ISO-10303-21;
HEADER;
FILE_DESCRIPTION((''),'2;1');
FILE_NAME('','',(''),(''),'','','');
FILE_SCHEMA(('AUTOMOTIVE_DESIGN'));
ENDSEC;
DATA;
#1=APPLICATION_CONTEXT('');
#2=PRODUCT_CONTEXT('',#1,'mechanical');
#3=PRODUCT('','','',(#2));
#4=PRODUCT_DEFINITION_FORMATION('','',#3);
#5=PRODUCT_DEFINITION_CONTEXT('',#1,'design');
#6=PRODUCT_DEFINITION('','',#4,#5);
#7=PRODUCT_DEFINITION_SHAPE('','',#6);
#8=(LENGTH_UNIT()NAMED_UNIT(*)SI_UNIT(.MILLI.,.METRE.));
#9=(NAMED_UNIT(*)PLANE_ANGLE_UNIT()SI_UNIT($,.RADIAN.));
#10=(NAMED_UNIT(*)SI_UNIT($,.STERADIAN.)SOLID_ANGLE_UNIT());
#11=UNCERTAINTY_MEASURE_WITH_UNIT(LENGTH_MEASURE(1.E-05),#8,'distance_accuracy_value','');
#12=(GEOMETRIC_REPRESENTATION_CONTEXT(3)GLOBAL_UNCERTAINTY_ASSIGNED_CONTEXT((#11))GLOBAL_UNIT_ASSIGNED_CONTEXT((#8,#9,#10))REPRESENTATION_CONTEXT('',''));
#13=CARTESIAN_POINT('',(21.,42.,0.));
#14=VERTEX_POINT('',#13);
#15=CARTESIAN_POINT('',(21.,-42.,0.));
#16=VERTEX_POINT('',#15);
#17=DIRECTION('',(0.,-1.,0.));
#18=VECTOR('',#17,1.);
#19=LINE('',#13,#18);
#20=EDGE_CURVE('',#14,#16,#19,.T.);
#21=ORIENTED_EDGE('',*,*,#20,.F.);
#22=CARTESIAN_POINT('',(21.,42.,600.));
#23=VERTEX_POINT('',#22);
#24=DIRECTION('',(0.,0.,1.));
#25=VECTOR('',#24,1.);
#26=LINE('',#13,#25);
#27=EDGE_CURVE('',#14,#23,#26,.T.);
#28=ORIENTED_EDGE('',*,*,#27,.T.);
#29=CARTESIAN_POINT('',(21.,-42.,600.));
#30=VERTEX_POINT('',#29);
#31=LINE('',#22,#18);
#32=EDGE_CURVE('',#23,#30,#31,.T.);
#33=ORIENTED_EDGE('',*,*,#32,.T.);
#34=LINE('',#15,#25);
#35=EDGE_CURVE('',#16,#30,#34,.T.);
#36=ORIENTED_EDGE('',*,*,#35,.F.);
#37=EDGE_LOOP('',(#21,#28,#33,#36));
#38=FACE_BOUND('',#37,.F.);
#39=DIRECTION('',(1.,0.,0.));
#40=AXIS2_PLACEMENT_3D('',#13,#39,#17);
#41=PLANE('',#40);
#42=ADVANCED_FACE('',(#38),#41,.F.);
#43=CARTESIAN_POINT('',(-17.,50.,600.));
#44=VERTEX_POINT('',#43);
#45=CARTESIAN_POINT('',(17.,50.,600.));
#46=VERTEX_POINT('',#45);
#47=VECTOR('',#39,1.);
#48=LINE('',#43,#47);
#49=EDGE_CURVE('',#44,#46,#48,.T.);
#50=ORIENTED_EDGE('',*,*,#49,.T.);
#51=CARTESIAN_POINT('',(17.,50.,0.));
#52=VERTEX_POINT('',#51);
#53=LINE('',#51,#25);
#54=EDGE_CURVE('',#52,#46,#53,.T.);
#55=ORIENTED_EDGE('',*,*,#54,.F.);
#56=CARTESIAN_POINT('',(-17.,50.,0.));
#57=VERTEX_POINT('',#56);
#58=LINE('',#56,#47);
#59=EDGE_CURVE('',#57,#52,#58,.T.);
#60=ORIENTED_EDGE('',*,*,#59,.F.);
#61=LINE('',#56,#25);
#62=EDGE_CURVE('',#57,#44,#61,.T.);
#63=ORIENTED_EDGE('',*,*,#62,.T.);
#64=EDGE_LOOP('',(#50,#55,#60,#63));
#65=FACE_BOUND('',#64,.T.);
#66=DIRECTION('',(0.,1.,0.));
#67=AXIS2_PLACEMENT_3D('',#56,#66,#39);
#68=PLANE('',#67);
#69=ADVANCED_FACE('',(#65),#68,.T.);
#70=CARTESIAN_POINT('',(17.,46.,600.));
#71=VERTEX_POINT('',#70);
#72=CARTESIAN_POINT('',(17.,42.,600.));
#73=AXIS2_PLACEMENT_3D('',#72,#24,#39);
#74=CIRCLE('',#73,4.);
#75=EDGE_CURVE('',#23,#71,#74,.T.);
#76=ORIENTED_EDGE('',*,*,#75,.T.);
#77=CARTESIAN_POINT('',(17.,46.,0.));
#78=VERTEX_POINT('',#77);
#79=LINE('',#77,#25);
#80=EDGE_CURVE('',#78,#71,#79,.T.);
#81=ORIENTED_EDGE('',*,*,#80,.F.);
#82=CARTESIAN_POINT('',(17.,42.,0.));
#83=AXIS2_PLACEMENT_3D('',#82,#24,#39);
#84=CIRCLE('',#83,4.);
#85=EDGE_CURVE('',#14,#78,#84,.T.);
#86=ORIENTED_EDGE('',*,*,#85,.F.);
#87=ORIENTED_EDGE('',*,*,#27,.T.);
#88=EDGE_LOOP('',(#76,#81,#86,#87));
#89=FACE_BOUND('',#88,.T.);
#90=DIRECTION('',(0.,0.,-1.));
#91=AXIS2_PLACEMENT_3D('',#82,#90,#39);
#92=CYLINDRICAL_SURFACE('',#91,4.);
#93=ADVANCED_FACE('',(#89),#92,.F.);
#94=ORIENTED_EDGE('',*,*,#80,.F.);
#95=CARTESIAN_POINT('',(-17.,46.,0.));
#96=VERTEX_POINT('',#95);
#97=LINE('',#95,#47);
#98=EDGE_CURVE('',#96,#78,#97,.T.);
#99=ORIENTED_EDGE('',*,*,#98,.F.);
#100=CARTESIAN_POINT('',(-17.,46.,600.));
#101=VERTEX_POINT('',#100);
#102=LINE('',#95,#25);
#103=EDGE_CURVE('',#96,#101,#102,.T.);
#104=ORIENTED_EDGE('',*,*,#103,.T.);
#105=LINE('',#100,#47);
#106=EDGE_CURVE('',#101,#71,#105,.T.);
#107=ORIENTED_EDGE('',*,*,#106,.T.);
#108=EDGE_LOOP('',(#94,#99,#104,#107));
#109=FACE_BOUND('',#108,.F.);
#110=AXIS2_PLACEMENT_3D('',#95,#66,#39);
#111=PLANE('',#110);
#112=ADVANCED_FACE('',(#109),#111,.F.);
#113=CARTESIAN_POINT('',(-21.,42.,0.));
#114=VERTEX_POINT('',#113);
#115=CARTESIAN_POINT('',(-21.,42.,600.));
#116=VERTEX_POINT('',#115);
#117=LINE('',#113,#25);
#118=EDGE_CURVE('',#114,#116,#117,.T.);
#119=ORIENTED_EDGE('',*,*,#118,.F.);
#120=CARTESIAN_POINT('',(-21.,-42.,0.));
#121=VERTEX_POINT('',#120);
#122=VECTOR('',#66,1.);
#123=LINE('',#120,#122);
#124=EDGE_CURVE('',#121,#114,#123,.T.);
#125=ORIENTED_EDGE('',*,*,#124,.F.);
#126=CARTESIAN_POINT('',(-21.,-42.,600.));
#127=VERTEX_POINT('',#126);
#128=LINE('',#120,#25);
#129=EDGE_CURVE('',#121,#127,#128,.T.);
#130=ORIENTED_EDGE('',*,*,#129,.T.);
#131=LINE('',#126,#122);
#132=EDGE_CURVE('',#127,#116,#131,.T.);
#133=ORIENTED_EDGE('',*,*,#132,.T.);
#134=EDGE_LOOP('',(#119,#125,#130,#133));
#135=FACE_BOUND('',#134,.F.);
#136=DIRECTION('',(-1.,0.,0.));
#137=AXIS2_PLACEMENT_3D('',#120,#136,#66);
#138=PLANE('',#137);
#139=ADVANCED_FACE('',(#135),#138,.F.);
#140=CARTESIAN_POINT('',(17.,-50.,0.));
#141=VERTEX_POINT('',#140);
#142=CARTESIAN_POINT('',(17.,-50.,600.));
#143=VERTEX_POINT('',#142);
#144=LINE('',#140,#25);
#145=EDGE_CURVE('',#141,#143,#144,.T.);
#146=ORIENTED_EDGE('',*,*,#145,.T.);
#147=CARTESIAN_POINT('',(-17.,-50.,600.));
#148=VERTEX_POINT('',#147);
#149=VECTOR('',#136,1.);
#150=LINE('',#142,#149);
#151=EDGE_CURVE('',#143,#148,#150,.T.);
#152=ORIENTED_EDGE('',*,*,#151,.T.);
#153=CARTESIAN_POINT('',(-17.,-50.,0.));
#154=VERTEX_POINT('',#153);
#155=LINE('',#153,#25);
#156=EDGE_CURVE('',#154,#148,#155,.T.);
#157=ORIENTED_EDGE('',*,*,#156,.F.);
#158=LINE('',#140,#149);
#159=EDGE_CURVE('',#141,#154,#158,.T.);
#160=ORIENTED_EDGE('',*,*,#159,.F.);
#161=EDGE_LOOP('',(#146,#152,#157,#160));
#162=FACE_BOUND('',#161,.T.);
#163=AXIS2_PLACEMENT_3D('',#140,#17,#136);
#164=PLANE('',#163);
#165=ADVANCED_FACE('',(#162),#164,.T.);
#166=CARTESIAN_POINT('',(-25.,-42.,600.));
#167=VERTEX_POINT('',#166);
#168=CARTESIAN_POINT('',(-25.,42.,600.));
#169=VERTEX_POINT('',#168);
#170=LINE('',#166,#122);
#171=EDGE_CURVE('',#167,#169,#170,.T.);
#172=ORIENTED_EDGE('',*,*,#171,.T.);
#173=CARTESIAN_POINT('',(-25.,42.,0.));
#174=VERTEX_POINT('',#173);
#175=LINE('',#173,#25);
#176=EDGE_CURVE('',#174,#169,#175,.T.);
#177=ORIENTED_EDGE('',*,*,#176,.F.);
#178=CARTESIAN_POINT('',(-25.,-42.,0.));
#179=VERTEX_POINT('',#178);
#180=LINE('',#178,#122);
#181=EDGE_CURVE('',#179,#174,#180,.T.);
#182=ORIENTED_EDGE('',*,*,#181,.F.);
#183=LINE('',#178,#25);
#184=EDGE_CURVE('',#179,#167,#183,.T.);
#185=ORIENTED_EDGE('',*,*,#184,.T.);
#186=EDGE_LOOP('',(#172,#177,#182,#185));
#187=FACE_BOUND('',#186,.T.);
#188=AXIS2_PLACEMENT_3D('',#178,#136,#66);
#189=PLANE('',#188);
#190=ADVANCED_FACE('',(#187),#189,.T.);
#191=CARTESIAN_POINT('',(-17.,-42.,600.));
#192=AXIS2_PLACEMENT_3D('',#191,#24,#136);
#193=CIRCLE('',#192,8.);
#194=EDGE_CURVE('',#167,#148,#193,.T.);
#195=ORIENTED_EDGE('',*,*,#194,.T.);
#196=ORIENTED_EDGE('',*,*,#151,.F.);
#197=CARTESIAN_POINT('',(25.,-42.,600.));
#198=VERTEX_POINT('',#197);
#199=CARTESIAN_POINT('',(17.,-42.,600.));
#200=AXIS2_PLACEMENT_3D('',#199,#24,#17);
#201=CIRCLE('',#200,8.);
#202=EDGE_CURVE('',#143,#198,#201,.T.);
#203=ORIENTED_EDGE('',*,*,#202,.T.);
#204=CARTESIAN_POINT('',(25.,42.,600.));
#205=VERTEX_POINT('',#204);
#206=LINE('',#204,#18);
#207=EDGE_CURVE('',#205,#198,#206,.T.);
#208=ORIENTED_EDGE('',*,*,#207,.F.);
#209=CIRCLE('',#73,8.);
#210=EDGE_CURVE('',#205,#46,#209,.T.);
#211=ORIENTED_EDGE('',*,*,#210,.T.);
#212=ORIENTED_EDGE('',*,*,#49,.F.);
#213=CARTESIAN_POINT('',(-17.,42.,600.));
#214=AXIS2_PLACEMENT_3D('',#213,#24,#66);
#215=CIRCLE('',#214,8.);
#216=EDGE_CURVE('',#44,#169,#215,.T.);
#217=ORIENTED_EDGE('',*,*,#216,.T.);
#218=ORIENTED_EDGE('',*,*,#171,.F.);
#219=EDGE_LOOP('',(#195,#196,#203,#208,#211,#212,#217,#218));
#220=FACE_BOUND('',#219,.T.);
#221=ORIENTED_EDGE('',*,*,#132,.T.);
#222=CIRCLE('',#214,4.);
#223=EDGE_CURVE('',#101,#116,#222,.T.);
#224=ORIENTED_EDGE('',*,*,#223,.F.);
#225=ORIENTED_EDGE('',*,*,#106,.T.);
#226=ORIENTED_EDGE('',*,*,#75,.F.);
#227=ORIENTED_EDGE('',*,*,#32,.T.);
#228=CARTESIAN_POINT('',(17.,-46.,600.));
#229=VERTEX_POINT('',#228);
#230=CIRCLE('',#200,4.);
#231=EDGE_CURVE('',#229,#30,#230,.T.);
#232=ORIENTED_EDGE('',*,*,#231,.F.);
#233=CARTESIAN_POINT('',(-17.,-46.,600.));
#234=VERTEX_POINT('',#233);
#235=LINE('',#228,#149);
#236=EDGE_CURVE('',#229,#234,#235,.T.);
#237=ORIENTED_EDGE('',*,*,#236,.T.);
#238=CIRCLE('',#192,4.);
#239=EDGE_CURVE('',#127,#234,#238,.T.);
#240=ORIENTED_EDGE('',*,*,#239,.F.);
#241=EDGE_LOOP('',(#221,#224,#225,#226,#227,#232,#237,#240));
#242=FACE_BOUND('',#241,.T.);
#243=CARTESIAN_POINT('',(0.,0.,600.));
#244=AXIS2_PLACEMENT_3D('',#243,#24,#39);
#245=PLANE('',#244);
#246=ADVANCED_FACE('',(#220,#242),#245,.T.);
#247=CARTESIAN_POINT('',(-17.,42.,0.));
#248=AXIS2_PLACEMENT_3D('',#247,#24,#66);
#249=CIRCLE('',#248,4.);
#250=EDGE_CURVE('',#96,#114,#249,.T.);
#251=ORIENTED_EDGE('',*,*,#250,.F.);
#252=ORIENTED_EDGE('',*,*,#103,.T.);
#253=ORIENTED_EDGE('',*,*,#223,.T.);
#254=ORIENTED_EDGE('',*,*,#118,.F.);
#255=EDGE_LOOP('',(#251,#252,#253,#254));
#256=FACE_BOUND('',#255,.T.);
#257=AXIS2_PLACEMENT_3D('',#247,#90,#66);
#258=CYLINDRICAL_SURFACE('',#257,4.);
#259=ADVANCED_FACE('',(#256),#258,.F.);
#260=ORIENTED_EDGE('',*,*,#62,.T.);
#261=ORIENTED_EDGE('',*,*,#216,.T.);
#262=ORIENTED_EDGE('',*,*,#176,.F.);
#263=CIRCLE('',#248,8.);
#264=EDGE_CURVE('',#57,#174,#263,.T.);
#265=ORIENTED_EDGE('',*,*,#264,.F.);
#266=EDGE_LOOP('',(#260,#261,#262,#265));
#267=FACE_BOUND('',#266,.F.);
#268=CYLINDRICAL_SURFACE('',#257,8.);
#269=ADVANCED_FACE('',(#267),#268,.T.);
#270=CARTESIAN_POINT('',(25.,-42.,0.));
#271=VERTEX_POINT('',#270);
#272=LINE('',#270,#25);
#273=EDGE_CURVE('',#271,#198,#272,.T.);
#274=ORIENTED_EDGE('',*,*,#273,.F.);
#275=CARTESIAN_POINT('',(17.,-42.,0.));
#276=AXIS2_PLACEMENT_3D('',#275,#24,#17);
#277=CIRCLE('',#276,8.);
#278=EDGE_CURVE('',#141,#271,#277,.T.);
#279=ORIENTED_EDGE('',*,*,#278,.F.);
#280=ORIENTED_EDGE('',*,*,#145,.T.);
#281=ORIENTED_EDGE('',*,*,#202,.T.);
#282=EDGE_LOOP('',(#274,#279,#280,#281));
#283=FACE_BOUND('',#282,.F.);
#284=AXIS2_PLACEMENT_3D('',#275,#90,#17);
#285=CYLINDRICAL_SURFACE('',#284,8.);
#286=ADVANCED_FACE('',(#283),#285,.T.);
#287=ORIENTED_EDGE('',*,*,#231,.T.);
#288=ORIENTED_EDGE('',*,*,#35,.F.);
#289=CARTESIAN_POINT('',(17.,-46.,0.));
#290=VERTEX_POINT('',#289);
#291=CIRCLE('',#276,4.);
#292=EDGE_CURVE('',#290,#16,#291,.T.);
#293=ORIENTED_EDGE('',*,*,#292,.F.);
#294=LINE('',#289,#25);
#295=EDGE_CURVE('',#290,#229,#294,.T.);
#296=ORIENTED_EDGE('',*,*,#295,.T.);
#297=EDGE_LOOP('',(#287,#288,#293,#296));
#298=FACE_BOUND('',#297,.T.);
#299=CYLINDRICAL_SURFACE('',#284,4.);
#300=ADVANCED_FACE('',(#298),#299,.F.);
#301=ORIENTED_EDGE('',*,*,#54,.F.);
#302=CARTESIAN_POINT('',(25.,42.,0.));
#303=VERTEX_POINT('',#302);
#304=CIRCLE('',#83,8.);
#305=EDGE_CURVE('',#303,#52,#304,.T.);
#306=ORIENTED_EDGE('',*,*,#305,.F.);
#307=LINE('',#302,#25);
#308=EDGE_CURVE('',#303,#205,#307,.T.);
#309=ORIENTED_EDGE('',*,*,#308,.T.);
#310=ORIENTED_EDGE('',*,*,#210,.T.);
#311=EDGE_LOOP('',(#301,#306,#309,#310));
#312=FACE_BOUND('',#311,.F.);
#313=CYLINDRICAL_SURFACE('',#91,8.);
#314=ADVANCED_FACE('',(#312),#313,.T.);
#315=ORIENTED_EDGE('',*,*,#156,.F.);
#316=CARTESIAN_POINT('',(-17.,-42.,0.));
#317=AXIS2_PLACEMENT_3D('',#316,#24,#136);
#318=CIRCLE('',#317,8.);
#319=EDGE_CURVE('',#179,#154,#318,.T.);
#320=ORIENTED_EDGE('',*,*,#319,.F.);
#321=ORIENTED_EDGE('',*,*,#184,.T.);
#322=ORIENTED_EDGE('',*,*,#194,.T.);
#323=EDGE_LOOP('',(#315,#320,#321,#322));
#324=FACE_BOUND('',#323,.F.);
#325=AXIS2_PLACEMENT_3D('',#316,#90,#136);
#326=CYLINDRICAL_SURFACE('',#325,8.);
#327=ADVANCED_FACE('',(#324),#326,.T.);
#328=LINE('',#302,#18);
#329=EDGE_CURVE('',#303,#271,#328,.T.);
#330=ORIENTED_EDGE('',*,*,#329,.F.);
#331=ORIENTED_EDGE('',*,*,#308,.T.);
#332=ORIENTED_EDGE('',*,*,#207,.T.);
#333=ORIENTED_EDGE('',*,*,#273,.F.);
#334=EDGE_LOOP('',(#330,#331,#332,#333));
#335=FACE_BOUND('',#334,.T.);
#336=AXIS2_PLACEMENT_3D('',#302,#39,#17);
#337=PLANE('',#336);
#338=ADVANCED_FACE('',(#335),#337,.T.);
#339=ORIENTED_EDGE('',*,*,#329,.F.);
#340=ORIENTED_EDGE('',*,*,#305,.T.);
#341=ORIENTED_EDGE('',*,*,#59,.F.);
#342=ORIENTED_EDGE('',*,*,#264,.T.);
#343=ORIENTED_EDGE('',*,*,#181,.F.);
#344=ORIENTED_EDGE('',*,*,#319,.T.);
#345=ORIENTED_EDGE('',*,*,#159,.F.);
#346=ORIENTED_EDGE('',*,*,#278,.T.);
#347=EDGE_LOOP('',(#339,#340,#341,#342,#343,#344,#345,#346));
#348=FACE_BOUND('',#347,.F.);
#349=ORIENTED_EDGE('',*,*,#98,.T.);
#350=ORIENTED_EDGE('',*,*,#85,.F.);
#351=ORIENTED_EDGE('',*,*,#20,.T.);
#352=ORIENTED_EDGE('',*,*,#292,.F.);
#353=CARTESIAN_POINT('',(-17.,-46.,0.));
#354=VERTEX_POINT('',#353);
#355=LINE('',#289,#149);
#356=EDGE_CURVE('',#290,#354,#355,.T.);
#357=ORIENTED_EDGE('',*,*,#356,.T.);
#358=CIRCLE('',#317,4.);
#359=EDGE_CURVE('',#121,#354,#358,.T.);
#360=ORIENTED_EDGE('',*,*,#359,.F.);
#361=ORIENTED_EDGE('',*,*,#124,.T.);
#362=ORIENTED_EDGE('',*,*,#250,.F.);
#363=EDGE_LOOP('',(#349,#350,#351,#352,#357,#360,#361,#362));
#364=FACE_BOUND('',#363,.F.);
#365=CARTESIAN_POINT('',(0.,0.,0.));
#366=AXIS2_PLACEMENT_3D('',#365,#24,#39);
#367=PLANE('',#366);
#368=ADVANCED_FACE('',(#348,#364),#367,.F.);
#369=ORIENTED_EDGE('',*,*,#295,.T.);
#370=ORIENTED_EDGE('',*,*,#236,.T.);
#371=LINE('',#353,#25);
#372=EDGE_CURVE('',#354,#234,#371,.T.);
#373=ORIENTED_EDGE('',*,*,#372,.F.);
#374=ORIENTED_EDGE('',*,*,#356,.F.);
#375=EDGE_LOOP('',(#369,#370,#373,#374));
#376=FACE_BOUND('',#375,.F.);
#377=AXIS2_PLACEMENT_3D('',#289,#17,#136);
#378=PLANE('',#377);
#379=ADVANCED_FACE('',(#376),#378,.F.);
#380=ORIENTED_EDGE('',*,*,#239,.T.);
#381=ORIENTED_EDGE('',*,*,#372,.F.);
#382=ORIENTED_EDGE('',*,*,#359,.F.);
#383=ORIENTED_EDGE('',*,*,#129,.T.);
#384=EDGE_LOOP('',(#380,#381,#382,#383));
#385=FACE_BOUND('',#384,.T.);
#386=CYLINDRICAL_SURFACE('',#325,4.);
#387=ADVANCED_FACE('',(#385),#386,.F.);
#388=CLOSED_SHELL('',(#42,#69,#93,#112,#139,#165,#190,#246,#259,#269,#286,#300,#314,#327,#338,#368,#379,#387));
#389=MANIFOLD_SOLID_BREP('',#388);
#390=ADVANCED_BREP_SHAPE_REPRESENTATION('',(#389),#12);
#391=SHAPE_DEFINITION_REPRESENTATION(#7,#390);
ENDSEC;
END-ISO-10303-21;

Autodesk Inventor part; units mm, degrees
ref_plane "YZ Plane" through (0, 0, 0) normal (1, 0, 0) x (0, 1, 0)
ref_plane "Start Plane" through (0, 0, 0) normal (0, 0, 1) x (1, 0, 0)
ref_plane "End Plane" through (0, 0, 600) normal (0, 0, 1) x (1, 0, 0)
sketch "Sketch" plane through (0, 0, 0) normal (0, 0, 1) x (1, 0, 0)
  line L0 (-25, -42) -> (-25, 42)
  line L1 (-17, 50) -> (17, 50)
  line L2 (25, 42) -> (25, -42)
  line L3 (17, -50) -> (-17, -50)
  arc A0 (-25, -42) -> (-17, -50) centre (-17, -42) ccw
  arc A1 (25, 42) -> (17, 50) centre (17, 42) ccw
  arc A2 (-17, 50) -> (-25, 42) centre (-17, 42) ccw
  arc A3 (17, -50) -> (25, -42) centre (17, -42) ccw
  arc A4 (-17, 46) -> (-21, 42) centre (-17, 42) ccw
  line L4 (-17, 46) -> (17, 46)
  arc A5 (21, 42) -> (17, 46) centre (17, 42) ccw
  line L5 (21, 42) -> (21, -42)
  arc A6 (17, -46) -> (21, -42) centre (17, -42) ccw
  line L6 (17, -46) -> (-17, -46)
  arc A7 (-21, -42) -> (-17, -46) centre (-17, -42) ccw
  line L7 (-21, -42) -> (-21, 42)
  line L8 (0, 72.3196) -> (0, -72.3196) construction
  line L9 (-37.3196, 0) -> (37.3196, 0) construction
  dimension "d7" = 8
  dimension "d9" = 50
  dimension "d11" = 100
  dimension "d12" = 4
  dimension "d15" = 25
  dimension "d16" = 50
extrude "Body" add sketch "Sketch" along normal up to surface (600 mm away) from surface at 0
sketch "Sketch3" plane through (0, 0, 0) normal (0, 0, 1) x (1, 0, 0)
  line L0 (0, 0) -> (10, 0)
ref_plane "Work Plane3" through (0, 0, 0) normal (0, -1, 0) x (1, 0, 0)
sketch "Sketch4" plane through (0, 0, 0) normal (0, -1, 0) x (1, 0, 0)
  line L0 (-2, 0) -> (12, 0) projected
  line L1 (-2, 600) -> (12, 600) projected
  dimension "d18" = 600
equation "\"d7\" = G_IR"
equation "\"d9\" = G_W"
equation "\"d11\" = G_H"
equation "\"d12\" = G_T"
equation "\"d15\" = 0.5 * d9"
equation "\"d16\" = 0.5 * d11"
equation "\"d3\" = G_L"
equation "\"G_W\" = 50"
equation "\"G_H\" = 100"
equation "\"G_T\" = 4"
equation "\"G_IR\" = 8"
equation "\"G_L\" = d18"
equation "\"G_OFFSET_START\" = 0"
equation "\"G_OFFSET_END\" = 0"
properties part number "ISO 4019 - 100x50x4 - 600" material "Steel, Mild"
